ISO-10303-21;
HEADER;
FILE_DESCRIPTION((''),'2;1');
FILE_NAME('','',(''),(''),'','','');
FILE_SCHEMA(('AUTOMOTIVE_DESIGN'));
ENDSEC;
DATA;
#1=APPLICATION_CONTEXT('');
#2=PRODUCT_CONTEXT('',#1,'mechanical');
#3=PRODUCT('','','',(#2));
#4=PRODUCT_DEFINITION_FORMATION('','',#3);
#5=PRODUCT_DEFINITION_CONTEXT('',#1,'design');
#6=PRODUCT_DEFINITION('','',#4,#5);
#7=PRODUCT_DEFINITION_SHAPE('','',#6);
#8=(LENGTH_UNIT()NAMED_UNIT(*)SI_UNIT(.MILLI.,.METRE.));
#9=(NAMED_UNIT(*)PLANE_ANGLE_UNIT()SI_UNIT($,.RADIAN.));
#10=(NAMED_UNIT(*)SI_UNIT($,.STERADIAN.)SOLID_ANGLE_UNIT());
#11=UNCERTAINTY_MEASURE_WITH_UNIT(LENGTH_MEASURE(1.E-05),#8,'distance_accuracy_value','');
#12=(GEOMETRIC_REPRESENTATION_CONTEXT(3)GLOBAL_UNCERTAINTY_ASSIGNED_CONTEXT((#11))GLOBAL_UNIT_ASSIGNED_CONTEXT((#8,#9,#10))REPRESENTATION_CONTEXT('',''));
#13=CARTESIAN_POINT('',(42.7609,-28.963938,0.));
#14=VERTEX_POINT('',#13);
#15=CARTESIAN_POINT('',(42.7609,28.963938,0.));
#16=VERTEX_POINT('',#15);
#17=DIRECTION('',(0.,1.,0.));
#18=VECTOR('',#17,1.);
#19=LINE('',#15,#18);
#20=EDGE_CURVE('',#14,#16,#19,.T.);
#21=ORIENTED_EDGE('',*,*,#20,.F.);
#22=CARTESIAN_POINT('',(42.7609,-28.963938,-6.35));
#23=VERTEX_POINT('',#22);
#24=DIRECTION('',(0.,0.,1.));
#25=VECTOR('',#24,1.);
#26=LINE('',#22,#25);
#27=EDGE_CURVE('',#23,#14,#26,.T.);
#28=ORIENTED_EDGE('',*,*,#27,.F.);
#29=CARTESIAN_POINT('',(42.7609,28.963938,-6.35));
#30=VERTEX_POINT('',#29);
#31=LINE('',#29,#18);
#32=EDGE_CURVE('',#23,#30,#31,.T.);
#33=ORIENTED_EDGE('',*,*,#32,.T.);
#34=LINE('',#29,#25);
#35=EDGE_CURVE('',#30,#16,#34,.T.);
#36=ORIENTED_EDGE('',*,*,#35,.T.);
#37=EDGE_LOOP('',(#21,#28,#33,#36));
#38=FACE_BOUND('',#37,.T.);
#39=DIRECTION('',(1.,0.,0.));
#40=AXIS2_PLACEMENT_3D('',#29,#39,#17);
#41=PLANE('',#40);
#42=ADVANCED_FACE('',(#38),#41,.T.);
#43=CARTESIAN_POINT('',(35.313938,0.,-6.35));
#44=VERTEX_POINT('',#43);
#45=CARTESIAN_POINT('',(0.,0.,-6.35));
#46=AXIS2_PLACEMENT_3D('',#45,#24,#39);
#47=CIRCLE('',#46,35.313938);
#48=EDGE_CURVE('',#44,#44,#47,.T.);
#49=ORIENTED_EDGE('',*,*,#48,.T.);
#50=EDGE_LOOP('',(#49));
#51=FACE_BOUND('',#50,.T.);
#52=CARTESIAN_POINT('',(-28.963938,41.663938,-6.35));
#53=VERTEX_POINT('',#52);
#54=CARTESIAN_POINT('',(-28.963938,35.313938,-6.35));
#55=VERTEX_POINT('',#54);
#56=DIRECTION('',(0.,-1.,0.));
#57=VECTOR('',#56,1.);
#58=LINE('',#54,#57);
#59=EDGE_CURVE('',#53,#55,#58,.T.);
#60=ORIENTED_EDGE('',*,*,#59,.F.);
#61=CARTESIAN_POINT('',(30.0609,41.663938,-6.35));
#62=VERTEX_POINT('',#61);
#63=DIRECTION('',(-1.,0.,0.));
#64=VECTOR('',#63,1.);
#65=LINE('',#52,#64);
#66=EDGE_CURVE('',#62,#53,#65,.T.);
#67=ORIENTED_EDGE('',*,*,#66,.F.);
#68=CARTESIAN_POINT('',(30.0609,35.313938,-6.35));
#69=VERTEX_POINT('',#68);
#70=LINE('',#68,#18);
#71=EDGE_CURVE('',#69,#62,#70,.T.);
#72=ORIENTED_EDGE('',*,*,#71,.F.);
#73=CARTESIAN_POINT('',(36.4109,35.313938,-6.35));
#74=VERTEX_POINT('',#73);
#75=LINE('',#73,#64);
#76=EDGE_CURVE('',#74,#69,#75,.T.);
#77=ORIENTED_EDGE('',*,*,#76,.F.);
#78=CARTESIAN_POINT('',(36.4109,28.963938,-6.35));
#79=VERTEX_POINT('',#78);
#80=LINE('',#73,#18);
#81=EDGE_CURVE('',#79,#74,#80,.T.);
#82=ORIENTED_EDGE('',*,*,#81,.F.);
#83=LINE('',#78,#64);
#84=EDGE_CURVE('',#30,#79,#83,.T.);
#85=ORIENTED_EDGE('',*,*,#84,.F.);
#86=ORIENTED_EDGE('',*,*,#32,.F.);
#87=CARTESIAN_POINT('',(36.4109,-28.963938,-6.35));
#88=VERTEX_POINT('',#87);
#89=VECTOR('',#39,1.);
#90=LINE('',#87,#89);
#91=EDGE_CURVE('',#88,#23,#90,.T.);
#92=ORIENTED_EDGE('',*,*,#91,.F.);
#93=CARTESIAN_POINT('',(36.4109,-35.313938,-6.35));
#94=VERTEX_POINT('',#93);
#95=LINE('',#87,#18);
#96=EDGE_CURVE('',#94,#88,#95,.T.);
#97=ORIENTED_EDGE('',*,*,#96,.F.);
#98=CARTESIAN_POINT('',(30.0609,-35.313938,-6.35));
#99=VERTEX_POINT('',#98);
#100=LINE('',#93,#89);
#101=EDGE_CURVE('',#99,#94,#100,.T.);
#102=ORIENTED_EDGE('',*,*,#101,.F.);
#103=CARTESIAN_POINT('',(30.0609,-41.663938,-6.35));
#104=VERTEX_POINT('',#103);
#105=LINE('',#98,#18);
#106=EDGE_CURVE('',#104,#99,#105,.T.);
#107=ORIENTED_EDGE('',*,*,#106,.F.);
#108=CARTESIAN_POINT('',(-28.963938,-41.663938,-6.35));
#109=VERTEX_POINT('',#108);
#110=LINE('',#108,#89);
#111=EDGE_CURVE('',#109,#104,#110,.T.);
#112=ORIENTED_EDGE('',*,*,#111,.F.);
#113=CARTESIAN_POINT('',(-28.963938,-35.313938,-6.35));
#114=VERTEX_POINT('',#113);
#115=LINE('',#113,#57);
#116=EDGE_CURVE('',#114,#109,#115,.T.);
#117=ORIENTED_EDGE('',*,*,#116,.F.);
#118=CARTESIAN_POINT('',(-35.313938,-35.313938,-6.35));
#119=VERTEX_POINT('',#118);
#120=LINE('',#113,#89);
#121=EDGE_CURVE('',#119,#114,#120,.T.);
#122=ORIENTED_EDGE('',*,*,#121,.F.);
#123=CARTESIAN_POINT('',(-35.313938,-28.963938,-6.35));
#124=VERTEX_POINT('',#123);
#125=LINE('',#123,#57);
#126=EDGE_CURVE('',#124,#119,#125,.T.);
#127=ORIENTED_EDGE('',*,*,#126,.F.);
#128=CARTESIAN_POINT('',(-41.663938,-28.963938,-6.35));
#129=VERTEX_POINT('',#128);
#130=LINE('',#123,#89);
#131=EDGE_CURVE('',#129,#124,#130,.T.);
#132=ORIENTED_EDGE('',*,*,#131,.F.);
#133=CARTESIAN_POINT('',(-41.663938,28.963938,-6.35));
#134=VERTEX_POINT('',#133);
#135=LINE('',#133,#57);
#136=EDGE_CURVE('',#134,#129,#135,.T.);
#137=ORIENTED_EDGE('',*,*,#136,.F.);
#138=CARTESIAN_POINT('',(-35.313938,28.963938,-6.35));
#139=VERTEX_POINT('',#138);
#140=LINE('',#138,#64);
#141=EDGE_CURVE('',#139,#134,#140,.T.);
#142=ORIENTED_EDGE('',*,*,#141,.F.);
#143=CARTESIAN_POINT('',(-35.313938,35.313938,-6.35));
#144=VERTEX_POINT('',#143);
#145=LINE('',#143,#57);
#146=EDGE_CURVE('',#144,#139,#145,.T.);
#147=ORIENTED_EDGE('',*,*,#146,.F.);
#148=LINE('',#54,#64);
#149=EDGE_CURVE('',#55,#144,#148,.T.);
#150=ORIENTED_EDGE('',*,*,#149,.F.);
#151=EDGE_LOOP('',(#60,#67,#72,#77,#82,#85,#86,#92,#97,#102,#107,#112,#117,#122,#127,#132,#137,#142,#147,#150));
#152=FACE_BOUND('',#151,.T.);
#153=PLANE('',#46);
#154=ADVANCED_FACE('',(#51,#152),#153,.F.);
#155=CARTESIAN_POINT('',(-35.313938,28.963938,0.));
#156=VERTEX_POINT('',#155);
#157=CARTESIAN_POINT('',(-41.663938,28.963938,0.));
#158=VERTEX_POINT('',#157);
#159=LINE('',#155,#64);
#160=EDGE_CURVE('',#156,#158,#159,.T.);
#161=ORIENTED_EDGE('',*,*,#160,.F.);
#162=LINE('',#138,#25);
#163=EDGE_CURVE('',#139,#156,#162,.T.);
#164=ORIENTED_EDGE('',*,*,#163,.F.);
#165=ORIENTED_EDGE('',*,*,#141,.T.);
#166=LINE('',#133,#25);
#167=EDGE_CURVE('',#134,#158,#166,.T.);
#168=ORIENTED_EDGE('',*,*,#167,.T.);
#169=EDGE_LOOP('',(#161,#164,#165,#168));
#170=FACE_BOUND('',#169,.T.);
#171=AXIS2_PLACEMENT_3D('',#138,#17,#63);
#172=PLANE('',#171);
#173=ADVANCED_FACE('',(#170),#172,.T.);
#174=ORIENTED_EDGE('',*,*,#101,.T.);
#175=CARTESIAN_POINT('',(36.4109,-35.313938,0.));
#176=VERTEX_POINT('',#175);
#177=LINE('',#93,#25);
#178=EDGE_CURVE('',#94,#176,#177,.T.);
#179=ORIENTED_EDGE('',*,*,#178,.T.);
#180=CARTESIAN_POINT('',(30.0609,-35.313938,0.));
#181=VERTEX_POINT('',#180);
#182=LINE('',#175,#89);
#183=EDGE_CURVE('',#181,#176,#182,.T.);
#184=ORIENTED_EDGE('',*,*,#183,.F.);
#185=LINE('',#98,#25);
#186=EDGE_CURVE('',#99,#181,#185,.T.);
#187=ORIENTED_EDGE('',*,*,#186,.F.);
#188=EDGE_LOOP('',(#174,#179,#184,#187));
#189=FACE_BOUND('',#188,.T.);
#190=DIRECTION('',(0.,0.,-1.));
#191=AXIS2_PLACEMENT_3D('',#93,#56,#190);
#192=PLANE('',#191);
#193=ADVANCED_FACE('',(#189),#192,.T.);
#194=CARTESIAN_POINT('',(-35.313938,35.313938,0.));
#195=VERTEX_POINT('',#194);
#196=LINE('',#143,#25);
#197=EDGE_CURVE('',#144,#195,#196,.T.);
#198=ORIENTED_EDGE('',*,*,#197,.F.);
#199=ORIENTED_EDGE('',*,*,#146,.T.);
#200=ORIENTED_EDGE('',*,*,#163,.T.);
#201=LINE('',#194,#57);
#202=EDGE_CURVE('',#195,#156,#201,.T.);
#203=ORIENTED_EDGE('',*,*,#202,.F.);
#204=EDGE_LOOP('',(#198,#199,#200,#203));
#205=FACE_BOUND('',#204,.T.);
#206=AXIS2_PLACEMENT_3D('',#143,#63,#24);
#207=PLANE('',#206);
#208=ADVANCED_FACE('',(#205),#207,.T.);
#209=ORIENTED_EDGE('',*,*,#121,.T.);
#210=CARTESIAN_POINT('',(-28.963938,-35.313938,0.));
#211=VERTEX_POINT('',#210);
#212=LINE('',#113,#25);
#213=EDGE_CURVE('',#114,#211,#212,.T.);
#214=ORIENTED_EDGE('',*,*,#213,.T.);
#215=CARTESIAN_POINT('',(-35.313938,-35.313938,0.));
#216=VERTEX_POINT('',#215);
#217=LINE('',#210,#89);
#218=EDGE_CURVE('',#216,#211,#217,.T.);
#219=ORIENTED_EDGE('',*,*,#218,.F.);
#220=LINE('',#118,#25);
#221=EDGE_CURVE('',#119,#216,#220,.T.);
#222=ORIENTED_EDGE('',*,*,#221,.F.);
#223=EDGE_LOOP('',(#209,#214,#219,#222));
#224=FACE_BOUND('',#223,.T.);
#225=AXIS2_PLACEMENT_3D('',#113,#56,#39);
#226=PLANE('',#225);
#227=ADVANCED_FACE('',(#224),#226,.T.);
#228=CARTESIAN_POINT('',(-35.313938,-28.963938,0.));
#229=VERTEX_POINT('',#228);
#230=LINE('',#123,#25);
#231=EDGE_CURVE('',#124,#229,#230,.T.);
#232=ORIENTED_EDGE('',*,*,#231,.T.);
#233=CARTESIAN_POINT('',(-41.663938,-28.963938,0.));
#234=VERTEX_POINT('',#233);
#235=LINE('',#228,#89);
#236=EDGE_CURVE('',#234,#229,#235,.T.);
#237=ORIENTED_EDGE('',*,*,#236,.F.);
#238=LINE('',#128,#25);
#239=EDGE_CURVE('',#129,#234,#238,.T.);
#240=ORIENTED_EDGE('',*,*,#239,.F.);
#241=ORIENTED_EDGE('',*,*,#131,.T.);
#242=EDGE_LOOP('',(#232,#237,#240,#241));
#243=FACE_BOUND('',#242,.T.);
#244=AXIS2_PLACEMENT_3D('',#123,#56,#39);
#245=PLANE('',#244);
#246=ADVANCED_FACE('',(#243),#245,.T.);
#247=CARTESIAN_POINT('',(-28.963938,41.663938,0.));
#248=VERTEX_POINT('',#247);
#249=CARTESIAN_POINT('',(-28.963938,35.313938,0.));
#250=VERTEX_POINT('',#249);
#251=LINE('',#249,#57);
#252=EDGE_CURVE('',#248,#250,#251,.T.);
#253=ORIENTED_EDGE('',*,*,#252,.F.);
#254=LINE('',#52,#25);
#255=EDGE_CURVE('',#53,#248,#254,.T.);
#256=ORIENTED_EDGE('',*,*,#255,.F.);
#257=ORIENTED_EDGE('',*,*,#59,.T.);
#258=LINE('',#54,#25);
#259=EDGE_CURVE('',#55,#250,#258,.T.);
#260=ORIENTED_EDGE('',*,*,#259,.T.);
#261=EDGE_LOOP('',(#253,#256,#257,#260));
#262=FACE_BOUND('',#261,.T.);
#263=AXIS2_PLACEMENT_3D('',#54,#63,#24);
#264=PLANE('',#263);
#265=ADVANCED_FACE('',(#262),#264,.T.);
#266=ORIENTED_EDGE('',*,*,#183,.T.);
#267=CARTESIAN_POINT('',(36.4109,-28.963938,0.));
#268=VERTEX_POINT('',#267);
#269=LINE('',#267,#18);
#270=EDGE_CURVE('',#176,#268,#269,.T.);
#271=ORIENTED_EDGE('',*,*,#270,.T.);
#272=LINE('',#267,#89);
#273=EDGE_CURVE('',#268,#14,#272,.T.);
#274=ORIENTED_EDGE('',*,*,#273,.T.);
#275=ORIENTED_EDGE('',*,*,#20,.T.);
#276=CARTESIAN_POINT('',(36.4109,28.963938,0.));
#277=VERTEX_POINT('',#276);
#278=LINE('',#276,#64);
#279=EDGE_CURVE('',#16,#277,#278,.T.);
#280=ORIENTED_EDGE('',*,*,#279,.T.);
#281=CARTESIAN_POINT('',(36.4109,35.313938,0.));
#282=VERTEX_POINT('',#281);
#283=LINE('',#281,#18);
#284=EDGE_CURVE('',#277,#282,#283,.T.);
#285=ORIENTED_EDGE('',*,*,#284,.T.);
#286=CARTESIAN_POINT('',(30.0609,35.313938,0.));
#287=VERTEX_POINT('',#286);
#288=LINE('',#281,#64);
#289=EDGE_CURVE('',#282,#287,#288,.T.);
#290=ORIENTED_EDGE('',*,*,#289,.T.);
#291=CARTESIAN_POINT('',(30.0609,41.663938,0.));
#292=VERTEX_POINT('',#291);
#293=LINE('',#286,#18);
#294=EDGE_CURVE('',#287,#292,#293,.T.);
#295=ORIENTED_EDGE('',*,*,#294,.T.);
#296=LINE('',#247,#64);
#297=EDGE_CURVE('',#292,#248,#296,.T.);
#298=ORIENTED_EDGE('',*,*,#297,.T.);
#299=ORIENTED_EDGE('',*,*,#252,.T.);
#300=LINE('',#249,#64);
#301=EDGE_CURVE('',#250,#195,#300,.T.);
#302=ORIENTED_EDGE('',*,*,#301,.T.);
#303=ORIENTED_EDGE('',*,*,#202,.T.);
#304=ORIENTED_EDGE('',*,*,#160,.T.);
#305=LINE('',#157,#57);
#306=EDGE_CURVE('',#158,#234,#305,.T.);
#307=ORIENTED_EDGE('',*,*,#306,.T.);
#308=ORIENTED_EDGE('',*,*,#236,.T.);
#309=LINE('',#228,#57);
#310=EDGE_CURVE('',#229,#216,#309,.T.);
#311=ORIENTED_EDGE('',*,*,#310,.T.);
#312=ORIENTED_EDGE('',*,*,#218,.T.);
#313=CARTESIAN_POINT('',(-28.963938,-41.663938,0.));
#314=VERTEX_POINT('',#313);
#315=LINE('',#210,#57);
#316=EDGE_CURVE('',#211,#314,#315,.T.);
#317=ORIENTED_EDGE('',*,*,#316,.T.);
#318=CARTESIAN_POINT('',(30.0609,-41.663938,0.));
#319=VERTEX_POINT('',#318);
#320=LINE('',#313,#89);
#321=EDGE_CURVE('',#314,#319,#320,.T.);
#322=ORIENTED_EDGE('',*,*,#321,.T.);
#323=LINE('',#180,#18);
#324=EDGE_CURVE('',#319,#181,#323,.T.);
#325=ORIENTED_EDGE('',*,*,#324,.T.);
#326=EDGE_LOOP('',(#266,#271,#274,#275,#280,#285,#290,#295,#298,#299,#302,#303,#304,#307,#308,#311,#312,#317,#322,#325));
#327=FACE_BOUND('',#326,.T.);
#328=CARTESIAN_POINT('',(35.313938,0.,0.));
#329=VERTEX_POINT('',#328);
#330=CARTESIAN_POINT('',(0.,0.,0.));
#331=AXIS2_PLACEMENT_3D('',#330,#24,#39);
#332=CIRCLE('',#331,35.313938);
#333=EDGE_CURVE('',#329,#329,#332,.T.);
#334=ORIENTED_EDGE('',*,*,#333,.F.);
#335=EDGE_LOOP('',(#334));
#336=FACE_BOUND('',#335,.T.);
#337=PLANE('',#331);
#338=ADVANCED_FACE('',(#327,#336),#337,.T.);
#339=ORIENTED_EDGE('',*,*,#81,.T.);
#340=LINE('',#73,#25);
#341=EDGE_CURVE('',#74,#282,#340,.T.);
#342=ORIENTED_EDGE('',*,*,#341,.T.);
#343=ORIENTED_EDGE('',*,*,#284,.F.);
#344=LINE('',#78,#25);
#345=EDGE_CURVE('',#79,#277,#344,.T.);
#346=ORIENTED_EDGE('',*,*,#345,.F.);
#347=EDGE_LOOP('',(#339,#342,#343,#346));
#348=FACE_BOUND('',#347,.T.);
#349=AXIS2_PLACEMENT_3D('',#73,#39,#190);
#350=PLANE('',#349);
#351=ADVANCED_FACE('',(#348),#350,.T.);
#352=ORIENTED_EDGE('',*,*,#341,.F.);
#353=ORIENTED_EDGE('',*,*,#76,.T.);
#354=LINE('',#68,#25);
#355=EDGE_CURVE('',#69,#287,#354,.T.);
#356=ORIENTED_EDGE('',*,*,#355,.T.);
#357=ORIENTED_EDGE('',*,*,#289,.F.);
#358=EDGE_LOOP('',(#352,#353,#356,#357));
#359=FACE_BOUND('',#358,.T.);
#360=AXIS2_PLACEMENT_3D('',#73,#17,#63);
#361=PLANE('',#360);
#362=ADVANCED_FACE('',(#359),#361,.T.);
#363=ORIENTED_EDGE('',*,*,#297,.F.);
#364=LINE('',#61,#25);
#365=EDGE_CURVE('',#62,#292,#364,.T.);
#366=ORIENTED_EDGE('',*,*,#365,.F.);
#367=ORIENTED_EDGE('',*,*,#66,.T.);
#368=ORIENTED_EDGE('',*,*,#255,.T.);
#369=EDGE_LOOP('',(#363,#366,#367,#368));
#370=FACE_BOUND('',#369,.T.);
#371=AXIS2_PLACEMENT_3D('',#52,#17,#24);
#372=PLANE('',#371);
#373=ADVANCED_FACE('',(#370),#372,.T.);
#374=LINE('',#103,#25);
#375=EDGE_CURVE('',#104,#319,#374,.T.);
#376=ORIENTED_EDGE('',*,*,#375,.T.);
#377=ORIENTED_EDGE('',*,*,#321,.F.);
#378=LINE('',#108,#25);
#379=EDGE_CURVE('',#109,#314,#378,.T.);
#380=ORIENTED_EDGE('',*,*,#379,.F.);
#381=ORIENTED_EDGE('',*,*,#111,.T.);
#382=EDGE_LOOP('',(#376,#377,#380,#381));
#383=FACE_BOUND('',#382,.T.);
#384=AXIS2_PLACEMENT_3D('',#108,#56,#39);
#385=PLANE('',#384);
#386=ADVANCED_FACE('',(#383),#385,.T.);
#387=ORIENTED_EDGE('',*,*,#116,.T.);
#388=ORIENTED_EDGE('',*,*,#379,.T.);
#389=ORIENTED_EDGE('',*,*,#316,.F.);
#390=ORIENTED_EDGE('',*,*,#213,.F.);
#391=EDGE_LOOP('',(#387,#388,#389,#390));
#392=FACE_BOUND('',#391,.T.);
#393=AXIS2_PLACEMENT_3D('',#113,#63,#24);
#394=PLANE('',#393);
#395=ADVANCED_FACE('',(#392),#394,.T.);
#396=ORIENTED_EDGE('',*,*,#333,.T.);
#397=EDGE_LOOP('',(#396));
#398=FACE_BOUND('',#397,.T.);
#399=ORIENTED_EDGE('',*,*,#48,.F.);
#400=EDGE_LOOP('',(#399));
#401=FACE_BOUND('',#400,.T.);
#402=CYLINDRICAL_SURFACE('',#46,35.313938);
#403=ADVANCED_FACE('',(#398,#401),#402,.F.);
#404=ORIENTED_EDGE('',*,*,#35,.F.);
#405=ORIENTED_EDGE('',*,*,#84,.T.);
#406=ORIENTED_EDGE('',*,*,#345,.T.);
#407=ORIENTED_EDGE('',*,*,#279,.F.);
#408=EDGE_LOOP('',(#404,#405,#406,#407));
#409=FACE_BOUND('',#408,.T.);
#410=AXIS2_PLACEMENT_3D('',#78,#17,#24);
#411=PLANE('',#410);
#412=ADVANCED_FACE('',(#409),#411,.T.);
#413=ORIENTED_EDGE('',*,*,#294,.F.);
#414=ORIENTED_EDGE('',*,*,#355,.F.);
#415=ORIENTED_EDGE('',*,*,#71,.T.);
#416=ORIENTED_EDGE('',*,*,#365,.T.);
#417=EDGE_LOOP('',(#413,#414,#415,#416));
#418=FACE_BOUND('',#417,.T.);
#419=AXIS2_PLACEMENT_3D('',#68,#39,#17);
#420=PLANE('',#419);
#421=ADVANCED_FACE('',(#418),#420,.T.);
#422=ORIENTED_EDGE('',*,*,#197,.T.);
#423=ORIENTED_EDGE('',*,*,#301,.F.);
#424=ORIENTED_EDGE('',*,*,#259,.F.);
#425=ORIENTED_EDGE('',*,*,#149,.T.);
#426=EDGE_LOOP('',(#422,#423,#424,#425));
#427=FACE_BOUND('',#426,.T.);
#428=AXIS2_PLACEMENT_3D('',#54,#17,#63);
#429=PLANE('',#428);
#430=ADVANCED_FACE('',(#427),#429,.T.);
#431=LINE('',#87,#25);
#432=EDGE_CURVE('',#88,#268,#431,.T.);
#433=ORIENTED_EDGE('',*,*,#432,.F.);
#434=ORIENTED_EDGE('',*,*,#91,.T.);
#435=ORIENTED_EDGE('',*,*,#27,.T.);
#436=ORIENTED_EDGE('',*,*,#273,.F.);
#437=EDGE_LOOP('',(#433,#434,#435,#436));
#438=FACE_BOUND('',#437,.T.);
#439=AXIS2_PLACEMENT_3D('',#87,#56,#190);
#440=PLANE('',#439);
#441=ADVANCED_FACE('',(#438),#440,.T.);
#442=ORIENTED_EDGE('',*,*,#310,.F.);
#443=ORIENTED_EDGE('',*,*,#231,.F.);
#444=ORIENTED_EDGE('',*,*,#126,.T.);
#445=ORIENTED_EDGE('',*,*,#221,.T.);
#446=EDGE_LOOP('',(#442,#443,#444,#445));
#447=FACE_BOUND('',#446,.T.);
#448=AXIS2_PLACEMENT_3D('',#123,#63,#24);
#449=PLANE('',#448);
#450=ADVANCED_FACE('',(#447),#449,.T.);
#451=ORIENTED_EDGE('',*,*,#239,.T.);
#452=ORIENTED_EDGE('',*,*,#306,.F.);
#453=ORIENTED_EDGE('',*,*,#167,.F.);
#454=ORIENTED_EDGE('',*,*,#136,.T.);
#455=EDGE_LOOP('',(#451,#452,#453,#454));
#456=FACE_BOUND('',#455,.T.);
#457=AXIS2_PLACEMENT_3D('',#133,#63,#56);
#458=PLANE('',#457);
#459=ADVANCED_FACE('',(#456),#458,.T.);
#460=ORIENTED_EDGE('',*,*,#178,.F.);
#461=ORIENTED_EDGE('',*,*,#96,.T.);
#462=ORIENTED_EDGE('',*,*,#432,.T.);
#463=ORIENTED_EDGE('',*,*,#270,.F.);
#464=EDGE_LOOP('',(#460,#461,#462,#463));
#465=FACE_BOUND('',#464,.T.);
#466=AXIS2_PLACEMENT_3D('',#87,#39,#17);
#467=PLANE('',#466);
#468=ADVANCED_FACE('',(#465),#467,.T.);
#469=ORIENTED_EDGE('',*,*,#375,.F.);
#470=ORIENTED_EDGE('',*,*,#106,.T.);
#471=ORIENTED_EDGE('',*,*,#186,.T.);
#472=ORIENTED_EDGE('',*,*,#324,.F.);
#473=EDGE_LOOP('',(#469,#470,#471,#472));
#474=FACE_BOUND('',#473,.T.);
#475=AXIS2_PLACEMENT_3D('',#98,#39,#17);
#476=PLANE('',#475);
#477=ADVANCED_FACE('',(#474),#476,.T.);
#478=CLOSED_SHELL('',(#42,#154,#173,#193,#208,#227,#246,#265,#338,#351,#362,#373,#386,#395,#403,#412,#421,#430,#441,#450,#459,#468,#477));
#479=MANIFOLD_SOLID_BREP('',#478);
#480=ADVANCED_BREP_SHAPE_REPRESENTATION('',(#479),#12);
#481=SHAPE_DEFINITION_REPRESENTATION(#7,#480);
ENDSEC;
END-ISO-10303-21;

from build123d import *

# Parameters (mm, degrees)
SKETCH1_R           = 35.3139375
BOSS_EXTRUDE1_DEPTH = 6.35


with BuildPart() as part:
    # Sketch1 → Boss-Extrude1 (new body)
    with BuildSketch(Plane.XY):
        Polygon((36.4109, 35.3139375), (30.0609, 35.3139375), (30.0609, 41.6639375), (-28.9639375, 41.6639375), (-28.9639375, 35.3139375), (-35.3139375, 35.3139375), (-35.3139375, 28.9639375), (-41.6639375, 28.9639375), (-41.6639375, -28.9639375), (-35.3139375, -28.9639375), (-35.3139375, -35.3139375), (-28.9639375, -35.3139375), (-28.9639375, -41.6639375), (30.0609, -41.6639375), (30.0609, -35.3139375), (36.4109, -35.3139375), (36.4109, -28.9639375), (42.7609, -28.9639375), (42.7609, 28.9639375), (36.4109, 28.9639375), align=None)
        Circle(SKETCH1_R, mode=Mode.SUBTRACT)
    extrude(amount=-BOSS_EXTRUDE1_DEPTH)


solid = part.part
